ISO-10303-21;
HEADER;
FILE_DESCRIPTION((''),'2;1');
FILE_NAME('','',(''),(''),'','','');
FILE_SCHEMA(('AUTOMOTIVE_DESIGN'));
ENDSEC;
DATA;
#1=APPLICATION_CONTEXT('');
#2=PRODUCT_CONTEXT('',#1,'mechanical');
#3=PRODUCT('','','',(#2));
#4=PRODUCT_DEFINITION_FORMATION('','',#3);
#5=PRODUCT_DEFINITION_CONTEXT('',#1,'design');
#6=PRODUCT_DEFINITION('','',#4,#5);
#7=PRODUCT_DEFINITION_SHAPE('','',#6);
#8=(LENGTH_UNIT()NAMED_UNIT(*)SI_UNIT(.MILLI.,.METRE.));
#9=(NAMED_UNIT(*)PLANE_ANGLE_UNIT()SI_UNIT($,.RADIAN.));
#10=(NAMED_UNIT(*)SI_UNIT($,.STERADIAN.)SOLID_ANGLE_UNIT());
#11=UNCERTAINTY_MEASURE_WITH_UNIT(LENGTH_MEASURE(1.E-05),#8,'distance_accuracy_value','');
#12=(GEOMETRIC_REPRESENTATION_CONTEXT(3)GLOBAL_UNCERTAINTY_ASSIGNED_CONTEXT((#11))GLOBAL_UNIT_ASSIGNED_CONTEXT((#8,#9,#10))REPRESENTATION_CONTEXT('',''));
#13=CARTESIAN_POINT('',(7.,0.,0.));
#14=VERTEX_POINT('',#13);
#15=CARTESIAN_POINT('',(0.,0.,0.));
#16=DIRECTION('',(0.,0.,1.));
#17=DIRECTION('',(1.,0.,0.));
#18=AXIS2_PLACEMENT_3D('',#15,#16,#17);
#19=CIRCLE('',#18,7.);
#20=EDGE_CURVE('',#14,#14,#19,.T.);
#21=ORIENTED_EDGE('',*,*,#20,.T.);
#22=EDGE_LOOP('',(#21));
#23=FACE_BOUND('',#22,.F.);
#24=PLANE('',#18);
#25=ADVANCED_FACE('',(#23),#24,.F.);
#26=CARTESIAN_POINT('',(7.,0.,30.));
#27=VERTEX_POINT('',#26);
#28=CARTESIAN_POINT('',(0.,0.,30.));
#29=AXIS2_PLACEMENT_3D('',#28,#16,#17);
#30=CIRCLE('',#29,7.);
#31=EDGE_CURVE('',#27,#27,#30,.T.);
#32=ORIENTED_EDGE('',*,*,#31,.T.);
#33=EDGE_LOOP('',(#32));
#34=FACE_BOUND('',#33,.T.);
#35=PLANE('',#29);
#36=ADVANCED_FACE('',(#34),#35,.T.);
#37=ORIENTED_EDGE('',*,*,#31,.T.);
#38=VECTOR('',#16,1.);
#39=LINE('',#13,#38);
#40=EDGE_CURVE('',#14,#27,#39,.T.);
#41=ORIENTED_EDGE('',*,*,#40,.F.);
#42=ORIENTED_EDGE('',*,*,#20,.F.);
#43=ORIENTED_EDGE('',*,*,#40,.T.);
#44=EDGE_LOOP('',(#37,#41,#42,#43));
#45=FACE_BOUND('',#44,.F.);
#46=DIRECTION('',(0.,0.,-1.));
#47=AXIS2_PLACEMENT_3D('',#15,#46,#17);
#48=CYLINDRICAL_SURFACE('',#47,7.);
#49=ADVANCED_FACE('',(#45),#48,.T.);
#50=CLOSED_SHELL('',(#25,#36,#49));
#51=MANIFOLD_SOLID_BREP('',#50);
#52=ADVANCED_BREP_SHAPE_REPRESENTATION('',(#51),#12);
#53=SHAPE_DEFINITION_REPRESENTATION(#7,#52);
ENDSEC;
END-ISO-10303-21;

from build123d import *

# Parameters (mm, degrees)
CYLINDER_R     = 7
CYLINDER_DEPTH = 30


with BuildPart() as part:
    # Cylinder → Cylinder (new body)
    with BuildSketch(Plane.XY):
        Circle(CYLINDER_R)
    extrude(amount=CYLINDER_DEPTH)


solid = part.part
